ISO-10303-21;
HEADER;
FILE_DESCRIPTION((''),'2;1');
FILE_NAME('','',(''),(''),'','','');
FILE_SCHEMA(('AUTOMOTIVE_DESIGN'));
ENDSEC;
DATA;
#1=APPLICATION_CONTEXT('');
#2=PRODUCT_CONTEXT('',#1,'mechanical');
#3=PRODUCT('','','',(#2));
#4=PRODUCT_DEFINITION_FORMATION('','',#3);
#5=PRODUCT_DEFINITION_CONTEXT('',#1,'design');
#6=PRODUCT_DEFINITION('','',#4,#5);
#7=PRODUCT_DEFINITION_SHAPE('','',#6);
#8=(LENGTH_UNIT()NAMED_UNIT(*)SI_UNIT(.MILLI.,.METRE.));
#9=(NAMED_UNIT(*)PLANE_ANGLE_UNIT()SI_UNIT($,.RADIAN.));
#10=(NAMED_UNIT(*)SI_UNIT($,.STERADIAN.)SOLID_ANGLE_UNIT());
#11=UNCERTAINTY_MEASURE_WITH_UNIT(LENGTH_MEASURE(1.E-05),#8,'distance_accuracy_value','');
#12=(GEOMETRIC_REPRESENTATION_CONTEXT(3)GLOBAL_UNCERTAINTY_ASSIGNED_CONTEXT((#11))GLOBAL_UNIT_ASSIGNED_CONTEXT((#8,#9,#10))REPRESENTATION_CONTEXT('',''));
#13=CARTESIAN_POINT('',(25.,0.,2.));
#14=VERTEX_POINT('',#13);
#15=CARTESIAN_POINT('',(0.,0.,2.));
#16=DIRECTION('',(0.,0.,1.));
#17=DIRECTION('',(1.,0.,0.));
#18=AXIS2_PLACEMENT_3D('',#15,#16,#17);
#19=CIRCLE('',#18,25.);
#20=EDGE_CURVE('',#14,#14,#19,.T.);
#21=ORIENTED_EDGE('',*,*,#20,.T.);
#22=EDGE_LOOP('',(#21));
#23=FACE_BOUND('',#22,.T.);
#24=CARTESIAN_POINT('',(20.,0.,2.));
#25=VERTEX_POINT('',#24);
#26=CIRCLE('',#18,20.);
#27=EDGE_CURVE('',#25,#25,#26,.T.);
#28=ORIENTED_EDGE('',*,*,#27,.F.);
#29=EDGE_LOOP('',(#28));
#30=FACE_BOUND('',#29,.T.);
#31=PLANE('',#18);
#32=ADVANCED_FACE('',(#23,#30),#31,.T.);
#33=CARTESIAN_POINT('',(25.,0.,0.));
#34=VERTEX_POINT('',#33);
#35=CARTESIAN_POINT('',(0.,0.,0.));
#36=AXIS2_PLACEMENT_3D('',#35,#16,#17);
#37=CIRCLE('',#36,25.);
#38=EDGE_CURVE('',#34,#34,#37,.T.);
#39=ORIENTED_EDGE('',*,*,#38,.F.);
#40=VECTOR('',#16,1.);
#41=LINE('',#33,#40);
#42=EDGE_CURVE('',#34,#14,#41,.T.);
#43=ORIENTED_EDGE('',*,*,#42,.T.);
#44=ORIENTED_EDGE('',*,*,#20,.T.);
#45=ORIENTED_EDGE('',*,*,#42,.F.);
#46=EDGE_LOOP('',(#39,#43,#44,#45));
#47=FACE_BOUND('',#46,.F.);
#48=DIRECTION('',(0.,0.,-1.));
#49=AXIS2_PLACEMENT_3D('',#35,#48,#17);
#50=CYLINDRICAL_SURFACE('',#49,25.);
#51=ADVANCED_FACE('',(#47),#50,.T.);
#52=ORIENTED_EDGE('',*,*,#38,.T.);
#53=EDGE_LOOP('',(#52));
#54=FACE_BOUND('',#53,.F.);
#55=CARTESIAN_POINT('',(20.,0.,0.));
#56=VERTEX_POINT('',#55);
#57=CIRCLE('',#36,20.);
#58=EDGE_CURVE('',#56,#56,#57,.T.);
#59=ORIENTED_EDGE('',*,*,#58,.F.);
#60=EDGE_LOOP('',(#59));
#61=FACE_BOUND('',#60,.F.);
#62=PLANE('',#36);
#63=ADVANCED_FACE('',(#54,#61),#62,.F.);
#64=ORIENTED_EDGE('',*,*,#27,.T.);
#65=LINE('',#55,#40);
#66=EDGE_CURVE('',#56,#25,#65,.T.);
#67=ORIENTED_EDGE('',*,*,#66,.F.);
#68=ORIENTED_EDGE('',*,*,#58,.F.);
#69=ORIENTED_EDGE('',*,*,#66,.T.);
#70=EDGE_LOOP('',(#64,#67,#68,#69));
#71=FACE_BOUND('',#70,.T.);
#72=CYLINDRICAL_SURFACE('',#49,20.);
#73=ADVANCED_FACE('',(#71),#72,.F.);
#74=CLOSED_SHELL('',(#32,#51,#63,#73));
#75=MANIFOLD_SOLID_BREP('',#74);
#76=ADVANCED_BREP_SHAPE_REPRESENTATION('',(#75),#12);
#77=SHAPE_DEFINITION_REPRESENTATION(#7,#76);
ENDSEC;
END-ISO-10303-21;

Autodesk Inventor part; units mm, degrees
ref_plane "YZ Plane" through (0, 0, 0) normal (1, 0, 0) x (0, 1, 0)
ref_plane "XZ Plane" through (0, 0, 0) normal (0, 1, 0) x (-1, 0, 0)
ref_plane "XY Plane" through (0, 0, 0) normal (0, 0, 1) x (1, 0, 0)
sketch "Sketch1" plane through (0, 0, 0) normal (0, 0, 1) x (1, 0, 0)
  circle A0 centre (0, 0) radius 25
  circle A1 centre (0, 0) radius 20
  dimension "d0" = 50
  dimension "d1" = 40
extrude "Extrusion1" add sketch "Sketch1" along normal blind 2
properties part number "magnetic_ring" material "Acetal Resin, Black"
